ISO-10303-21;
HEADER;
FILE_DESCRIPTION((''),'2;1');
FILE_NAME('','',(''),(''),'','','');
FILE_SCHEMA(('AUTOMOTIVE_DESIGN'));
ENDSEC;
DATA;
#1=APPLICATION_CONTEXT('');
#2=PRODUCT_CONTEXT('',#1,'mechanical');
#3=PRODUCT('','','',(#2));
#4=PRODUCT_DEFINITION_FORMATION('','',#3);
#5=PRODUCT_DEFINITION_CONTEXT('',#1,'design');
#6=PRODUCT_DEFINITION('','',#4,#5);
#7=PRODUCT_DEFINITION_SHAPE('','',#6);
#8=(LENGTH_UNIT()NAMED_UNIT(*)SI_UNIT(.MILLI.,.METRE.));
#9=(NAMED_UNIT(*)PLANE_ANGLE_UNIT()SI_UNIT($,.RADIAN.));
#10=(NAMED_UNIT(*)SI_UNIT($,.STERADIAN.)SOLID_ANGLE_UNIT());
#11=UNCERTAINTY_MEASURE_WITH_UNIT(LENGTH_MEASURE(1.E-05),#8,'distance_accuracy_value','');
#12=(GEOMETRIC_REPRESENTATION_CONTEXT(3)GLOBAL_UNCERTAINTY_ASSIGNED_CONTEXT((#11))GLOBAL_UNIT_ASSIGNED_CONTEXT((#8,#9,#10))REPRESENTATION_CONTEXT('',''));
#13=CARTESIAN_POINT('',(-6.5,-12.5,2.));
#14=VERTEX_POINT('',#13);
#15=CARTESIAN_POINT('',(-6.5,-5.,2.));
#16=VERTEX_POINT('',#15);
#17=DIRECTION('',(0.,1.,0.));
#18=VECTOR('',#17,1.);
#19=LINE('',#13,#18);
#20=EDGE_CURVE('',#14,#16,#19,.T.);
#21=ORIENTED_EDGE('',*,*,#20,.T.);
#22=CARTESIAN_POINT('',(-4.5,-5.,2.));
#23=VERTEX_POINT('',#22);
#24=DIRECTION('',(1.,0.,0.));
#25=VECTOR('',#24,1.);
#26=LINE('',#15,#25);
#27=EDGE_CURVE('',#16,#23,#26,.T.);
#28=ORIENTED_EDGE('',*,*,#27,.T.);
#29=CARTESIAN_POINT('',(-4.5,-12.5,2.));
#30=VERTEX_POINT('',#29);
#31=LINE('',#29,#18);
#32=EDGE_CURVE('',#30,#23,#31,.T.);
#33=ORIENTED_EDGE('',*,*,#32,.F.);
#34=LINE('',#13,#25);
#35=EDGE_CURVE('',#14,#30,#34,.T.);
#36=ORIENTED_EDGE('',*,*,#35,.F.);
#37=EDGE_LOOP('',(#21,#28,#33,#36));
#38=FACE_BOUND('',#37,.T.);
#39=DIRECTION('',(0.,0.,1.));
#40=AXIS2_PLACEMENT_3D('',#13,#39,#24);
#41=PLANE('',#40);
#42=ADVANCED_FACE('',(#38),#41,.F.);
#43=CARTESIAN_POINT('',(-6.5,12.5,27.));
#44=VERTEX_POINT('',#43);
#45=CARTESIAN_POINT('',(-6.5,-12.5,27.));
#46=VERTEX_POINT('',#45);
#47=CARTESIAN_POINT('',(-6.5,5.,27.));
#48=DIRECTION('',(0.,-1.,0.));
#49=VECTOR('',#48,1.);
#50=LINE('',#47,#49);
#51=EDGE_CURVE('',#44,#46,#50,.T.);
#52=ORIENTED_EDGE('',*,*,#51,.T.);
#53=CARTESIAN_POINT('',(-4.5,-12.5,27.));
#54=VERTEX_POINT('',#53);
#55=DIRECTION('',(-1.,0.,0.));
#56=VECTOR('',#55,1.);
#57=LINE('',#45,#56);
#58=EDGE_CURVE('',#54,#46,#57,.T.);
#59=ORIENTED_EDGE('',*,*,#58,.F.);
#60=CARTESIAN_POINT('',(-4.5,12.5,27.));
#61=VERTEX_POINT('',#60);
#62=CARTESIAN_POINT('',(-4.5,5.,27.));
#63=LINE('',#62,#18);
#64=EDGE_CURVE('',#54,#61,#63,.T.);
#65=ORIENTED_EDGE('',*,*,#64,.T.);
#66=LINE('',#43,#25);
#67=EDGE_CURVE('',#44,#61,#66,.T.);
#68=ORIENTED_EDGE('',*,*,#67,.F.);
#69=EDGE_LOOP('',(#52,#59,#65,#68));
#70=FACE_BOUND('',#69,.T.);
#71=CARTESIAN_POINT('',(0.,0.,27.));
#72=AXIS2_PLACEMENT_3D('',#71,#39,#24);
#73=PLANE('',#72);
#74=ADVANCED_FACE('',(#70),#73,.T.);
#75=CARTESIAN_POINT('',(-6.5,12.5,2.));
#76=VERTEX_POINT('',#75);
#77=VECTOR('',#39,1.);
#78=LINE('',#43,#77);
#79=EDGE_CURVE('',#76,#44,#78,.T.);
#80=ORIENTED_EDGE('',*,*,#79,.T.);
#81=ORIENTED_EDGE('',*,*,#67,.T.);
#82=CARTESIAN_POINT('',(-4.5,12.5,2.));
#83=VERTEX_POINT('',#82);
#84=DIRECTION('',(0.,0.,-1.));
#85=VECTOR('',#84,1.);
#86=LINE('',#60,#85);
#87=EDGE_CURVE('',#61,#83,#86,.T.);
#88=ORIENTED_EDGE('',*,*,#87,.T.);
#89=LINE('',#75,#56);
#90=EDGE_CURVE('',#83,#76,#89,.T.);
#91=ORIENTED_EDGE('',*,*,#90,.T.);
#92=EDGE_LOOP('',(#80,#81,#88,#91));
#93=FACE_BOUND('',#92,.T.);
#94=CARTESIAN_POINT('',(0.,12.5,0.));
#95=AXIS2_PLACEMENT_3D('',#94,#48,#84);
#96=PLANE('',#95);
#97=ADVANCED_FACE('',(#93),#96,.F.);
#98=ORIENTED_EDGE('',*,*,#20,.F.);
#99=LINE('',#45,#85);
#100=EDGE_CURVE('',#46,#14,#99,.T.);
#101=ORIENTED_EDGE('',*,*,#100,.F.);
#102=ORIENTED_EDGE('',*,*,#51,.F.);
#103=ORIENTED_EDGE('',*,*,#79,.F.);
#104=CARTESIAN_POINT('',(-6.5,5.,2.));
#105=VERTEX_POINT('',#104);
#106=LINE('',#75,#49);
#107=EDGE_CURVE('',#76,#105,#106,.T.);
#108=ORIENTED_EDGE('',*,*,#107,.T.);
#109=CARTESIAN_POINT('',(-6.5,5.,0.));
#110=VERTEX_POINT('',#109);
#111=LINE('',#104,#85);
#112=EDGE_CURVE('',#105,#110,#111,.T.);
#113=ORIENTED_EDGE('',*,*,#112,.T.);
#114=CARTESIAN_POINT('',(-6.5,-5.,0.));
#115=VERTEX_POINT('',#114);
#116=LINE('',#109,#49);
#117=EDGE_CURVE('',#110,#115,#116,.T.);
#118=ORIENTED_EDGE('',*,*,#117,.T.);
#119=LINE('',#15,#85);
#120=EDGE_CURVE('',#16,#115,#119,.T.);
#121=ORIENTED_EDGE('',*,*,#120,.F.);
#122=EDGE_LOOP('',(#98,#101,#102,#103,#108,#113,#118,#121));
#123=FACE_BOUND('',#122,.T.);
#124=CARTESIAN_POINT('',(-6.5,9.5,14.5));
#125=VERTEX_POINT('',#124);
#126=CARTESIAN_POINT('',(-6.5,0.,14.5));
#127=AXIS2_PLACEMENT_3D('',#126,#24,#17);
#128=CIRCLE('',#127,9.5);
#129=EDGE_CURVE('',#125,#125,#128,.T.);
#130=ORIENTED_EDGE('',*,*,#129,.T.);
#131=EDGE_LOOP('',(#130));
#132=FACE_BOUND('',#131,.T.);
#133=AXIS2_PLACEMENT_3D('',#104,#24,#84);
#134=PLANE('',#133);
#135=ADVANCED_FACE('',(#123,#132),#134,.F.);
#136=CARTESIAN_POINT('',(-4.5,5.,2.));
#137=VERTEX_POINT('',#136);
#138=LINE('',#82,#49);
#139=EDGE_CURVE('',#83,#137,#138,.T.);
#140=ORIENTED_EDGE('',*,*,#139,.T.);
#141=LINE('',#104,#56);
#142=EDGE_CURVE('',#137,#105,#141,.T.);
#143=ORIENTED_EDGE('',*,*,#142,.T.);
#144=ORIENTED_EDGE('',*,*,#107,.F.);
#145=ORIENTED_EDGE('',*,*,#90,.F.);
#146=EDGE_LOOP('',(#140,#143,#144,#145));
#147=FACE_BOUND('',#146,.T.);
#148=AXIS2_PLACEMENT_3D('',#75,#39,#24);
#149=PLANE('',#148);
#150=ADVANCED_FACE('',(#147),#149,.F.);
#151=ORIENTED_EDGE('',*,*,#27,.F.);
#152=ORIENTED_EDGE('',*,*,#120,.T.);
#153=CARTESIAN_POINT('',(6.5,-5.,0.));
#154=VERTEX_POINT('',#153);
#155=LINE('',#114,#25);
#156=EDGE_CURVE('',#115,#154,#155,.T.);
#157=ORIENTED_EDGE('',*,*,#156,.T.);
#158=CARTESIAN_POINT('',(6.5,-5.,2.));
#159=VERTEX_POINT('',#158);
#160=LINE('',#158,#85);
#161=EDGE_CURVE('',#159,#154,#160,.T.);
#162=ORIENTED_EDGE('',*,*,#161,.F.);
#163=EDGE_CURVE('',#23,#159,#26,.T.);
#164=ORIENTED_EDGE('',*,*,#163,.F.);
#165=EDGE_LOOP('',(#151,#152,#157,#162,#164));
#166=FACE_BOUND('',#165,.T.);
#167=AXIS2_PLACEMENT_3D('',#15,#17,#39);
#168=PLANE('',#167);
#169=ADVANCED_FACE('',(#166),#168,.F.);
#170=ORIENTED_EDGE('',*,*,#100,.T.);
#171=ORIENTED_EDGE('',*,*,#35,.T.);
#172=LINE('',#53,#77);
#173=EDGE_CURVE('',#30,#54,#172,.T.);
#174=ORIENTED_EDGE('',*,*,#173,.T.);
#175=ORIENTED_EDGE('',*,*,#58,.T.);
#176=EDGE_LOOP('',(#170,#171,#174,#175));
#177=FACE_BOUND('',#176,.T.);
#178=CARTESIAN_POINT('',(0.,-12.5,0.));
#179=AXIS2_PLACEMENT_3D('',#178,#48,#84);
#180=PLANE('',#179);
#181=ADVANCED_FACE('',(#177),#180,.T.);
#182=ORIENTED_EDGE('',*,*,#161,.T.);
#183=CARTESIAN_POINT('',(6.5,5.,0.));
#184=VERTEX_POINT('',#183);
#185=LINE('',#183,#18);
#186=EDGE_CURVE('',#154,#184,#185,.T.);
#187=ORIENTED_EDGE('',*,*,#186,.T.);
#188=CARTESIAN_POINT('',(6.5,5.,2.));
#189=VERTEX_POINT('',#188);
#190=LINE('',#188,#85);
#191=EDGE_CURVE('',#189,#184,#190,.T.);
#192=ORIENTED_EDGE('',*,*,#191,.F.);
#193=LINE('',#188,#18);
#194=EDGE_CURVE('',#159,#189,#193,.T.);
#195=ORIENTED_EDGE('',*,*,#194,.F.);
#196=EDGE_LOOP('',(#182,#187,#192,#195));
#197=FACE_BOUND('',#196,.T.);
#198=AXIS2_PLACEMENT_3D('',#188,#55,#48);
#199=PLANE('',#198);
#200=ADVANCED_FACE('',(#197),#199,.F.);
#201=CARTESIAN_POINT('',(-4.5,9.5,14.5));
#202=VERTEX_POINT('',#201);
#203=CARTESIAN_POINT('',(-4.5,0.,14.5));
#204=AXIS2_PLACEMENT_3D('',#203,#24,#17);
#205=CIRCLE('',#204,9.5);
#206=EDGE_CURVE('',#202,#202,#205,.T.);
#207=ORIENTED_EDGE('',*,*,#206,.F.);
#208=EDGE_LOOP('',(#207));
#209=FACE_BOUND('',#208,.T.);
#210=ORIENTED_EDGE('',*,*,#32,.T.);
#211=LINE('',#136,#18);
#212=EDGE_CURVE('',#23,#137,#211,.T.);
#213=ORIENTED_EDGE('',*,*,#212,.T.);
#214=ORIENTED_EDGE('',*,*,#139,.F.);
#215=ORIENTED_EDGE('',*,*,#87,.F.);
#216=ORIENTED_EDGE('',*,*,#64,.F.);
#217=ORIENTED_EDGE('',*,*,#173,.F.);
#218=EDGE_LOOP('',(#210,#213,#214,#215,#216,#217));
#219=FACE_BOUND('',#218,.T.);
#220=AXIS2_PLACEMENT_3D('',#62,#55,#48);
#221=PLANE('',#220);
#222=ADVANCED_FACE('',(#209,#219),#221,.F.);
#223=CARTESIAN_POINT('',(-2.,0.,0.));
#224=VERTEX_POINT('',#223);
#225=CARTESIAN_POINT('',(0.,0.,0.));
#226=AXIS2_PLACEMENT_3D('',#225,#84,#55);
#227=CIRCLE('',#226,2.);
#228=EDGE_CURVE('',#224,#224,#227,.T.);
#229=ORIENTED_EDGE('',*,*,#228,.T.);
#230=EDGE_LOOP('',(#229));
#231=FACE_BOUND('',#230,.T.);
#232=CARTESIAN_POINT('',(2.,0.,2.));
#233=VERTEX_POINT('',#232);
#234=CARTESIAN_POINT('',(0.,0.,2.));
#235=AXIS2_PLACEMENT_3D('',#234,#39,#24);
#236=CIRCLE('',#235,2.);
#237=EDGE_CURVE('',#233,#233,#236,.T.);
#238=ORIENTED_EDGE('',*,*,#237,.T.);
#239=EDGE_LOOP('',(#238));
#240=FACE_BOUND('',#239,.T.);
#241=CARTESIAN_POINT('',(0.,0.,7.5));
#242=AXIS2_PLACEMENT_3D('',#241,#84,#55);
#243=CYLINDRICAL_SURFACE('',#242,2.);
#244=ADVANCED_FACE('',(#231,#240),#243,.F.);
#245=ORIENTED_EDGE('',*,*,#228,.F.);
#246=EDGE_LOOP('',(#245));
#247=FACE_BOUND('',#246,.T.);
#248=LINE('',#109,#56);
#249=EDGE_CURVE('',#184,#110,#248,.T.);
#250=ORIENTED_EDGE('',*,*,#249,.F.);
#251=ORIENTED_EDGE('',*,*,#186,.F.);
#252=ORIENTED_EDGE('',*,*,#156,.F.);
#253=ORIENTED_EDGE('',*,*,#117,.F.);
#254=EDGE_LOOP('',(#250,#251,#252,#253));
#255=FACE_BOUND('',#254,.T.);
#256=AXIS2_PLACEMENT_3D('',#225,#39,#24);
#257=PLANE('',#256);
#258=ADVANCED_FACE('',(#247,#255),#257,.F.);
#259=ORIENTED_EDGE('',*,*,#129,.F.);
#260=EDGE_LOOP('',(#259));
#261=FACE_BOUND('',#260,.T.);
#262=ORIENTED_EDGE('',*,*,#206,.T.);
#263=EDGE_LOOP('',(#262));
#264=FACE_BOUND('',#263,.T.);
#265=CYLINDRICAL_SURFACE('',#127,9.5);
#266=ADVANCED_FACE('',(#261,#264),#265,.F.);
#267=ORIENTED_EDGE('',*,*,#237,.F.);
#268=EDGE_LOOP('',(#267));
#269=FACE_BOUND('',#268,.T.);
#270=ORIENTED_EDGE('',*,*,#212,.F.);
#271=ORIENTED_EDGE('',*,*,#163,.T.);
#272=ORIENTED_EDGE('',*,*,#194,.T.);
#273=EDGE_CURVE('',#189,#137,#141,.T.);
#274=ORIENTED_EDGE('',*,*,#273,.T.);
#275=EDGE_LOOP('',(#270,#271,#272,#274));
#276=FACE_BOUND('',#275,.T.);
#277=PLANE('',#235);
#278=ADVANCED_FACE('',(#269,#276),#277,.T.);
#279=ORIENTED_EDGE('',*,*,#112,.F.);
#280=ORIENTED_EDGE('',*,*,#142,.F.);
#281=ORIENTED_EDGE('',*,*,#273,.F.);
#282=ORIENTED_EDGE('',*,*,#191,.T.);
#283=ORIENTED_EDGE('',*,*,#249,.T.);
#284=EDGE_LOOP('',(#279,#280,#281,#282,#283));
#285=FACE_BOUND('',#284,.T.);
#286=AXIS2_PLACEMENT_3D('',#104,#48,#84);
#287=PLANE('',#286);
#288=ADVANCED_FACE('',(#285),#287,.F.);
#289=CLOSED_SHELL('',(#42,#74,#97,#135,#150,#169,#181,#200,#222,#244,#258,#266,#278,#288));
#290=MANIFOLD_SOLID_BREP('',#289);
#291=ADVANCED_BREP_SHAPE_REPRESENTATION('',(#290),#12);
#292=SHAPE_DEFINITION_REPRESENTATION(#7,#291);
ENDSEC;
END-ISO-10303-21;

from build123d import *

# Parameters (mm, degrees)
SKETCH1_W           = 13
SKETCH1_H           = 10
BOSS_EXTRUDE1_DEPTH = 2
SKETCH2_W           = 2
SKETCH2_H           = 10
BOSS_EXTRUDE2_DEPTH = 25
SKETCH4_W           = 2
SKETCH4_H           = 25
BOSS_EXTRUDE3_DEPTH = 7.5
SKETCH5_W           = 2
SKETCH5_H           = 25
BOSS_EXTRUDE4_DEPTH = 7.5
SKETCH6_R           = 2
CUT_EXTRUDE1_DEPTH  = 7.5
SKETCH7_R           = 9.5
CUT_EXTRUDE2_DEPTH  = 32.721443851


with BuildPart() as part:
    # Sketch1 → Boss-Extrude1 (new body)
    with BuildSketch(Plane.XY):
        Rectangle(SKETCH1_W, SKETCH1_H)
    extrude(amount=BOSS_EXTRUDE1_DEPTH)

    # Sketch2 → Boss-Extrude2 (add)
    with BuildSketch(Plane.XY.offset(2)):
        with Locations((-5.5, 0)):
            Rectangle(SKETCH2_W, SKETCH2_H)
    extrude(amount=BOSS_EXTRUDE2_DEPTH)

    # Sketch4 → Boss-Extrude3 (add)
    with BuildSketch(Plane(origin=(0, 5, 0), x_dir=(1, 0, 0), z_dir=(0, 1, 0))):
        with Locations((-5.5, -14.5)):
            Rectangle(SKETCH4_W, SKETCH4_H)
    extrude(amount=BOSS_EXTRUDE3_DEPTH)

    # Sketch5 → Boss-Extrude4 (add)
    with BuildSketch(Plane.XZ.offset(5)):
        with Locations((-5.5, 14.5)):
            Rectangle(SKETCH5_W, SKETCH5_H)
    extrude(amount=BOSS_EXTRUDE4_DEPTH)

    # Sketch6 → Cut-Extrude1 (cut)
    with BuildSketch(Plane(origin=(0, 0, 0), x_dir=(-1, 0, 0), z_dir=(0, 0, -1))):
        Circle(SKETCH6_R)
    extrude(amount=-CUT_EXTRUDE1_DEPTH, mode=Mode.SUBTRACT)

    # Sketch7 → Cut-Extrude2 (cut, through all)
    with BuildSketch(Plane(origin=(-4.5, 0, 0), x_dir=(0, 0, -1), z_dir=(1, 0, 0))):
        with Locations(Location((-14.5, 0, 0), (0, 0, 90))):
            Circle(SKETCH7_R)
    extrude(amount=-CUT_EXTRUDE2_DEPTH, mode=Mode.SUBTRACT)


solid = part.part
